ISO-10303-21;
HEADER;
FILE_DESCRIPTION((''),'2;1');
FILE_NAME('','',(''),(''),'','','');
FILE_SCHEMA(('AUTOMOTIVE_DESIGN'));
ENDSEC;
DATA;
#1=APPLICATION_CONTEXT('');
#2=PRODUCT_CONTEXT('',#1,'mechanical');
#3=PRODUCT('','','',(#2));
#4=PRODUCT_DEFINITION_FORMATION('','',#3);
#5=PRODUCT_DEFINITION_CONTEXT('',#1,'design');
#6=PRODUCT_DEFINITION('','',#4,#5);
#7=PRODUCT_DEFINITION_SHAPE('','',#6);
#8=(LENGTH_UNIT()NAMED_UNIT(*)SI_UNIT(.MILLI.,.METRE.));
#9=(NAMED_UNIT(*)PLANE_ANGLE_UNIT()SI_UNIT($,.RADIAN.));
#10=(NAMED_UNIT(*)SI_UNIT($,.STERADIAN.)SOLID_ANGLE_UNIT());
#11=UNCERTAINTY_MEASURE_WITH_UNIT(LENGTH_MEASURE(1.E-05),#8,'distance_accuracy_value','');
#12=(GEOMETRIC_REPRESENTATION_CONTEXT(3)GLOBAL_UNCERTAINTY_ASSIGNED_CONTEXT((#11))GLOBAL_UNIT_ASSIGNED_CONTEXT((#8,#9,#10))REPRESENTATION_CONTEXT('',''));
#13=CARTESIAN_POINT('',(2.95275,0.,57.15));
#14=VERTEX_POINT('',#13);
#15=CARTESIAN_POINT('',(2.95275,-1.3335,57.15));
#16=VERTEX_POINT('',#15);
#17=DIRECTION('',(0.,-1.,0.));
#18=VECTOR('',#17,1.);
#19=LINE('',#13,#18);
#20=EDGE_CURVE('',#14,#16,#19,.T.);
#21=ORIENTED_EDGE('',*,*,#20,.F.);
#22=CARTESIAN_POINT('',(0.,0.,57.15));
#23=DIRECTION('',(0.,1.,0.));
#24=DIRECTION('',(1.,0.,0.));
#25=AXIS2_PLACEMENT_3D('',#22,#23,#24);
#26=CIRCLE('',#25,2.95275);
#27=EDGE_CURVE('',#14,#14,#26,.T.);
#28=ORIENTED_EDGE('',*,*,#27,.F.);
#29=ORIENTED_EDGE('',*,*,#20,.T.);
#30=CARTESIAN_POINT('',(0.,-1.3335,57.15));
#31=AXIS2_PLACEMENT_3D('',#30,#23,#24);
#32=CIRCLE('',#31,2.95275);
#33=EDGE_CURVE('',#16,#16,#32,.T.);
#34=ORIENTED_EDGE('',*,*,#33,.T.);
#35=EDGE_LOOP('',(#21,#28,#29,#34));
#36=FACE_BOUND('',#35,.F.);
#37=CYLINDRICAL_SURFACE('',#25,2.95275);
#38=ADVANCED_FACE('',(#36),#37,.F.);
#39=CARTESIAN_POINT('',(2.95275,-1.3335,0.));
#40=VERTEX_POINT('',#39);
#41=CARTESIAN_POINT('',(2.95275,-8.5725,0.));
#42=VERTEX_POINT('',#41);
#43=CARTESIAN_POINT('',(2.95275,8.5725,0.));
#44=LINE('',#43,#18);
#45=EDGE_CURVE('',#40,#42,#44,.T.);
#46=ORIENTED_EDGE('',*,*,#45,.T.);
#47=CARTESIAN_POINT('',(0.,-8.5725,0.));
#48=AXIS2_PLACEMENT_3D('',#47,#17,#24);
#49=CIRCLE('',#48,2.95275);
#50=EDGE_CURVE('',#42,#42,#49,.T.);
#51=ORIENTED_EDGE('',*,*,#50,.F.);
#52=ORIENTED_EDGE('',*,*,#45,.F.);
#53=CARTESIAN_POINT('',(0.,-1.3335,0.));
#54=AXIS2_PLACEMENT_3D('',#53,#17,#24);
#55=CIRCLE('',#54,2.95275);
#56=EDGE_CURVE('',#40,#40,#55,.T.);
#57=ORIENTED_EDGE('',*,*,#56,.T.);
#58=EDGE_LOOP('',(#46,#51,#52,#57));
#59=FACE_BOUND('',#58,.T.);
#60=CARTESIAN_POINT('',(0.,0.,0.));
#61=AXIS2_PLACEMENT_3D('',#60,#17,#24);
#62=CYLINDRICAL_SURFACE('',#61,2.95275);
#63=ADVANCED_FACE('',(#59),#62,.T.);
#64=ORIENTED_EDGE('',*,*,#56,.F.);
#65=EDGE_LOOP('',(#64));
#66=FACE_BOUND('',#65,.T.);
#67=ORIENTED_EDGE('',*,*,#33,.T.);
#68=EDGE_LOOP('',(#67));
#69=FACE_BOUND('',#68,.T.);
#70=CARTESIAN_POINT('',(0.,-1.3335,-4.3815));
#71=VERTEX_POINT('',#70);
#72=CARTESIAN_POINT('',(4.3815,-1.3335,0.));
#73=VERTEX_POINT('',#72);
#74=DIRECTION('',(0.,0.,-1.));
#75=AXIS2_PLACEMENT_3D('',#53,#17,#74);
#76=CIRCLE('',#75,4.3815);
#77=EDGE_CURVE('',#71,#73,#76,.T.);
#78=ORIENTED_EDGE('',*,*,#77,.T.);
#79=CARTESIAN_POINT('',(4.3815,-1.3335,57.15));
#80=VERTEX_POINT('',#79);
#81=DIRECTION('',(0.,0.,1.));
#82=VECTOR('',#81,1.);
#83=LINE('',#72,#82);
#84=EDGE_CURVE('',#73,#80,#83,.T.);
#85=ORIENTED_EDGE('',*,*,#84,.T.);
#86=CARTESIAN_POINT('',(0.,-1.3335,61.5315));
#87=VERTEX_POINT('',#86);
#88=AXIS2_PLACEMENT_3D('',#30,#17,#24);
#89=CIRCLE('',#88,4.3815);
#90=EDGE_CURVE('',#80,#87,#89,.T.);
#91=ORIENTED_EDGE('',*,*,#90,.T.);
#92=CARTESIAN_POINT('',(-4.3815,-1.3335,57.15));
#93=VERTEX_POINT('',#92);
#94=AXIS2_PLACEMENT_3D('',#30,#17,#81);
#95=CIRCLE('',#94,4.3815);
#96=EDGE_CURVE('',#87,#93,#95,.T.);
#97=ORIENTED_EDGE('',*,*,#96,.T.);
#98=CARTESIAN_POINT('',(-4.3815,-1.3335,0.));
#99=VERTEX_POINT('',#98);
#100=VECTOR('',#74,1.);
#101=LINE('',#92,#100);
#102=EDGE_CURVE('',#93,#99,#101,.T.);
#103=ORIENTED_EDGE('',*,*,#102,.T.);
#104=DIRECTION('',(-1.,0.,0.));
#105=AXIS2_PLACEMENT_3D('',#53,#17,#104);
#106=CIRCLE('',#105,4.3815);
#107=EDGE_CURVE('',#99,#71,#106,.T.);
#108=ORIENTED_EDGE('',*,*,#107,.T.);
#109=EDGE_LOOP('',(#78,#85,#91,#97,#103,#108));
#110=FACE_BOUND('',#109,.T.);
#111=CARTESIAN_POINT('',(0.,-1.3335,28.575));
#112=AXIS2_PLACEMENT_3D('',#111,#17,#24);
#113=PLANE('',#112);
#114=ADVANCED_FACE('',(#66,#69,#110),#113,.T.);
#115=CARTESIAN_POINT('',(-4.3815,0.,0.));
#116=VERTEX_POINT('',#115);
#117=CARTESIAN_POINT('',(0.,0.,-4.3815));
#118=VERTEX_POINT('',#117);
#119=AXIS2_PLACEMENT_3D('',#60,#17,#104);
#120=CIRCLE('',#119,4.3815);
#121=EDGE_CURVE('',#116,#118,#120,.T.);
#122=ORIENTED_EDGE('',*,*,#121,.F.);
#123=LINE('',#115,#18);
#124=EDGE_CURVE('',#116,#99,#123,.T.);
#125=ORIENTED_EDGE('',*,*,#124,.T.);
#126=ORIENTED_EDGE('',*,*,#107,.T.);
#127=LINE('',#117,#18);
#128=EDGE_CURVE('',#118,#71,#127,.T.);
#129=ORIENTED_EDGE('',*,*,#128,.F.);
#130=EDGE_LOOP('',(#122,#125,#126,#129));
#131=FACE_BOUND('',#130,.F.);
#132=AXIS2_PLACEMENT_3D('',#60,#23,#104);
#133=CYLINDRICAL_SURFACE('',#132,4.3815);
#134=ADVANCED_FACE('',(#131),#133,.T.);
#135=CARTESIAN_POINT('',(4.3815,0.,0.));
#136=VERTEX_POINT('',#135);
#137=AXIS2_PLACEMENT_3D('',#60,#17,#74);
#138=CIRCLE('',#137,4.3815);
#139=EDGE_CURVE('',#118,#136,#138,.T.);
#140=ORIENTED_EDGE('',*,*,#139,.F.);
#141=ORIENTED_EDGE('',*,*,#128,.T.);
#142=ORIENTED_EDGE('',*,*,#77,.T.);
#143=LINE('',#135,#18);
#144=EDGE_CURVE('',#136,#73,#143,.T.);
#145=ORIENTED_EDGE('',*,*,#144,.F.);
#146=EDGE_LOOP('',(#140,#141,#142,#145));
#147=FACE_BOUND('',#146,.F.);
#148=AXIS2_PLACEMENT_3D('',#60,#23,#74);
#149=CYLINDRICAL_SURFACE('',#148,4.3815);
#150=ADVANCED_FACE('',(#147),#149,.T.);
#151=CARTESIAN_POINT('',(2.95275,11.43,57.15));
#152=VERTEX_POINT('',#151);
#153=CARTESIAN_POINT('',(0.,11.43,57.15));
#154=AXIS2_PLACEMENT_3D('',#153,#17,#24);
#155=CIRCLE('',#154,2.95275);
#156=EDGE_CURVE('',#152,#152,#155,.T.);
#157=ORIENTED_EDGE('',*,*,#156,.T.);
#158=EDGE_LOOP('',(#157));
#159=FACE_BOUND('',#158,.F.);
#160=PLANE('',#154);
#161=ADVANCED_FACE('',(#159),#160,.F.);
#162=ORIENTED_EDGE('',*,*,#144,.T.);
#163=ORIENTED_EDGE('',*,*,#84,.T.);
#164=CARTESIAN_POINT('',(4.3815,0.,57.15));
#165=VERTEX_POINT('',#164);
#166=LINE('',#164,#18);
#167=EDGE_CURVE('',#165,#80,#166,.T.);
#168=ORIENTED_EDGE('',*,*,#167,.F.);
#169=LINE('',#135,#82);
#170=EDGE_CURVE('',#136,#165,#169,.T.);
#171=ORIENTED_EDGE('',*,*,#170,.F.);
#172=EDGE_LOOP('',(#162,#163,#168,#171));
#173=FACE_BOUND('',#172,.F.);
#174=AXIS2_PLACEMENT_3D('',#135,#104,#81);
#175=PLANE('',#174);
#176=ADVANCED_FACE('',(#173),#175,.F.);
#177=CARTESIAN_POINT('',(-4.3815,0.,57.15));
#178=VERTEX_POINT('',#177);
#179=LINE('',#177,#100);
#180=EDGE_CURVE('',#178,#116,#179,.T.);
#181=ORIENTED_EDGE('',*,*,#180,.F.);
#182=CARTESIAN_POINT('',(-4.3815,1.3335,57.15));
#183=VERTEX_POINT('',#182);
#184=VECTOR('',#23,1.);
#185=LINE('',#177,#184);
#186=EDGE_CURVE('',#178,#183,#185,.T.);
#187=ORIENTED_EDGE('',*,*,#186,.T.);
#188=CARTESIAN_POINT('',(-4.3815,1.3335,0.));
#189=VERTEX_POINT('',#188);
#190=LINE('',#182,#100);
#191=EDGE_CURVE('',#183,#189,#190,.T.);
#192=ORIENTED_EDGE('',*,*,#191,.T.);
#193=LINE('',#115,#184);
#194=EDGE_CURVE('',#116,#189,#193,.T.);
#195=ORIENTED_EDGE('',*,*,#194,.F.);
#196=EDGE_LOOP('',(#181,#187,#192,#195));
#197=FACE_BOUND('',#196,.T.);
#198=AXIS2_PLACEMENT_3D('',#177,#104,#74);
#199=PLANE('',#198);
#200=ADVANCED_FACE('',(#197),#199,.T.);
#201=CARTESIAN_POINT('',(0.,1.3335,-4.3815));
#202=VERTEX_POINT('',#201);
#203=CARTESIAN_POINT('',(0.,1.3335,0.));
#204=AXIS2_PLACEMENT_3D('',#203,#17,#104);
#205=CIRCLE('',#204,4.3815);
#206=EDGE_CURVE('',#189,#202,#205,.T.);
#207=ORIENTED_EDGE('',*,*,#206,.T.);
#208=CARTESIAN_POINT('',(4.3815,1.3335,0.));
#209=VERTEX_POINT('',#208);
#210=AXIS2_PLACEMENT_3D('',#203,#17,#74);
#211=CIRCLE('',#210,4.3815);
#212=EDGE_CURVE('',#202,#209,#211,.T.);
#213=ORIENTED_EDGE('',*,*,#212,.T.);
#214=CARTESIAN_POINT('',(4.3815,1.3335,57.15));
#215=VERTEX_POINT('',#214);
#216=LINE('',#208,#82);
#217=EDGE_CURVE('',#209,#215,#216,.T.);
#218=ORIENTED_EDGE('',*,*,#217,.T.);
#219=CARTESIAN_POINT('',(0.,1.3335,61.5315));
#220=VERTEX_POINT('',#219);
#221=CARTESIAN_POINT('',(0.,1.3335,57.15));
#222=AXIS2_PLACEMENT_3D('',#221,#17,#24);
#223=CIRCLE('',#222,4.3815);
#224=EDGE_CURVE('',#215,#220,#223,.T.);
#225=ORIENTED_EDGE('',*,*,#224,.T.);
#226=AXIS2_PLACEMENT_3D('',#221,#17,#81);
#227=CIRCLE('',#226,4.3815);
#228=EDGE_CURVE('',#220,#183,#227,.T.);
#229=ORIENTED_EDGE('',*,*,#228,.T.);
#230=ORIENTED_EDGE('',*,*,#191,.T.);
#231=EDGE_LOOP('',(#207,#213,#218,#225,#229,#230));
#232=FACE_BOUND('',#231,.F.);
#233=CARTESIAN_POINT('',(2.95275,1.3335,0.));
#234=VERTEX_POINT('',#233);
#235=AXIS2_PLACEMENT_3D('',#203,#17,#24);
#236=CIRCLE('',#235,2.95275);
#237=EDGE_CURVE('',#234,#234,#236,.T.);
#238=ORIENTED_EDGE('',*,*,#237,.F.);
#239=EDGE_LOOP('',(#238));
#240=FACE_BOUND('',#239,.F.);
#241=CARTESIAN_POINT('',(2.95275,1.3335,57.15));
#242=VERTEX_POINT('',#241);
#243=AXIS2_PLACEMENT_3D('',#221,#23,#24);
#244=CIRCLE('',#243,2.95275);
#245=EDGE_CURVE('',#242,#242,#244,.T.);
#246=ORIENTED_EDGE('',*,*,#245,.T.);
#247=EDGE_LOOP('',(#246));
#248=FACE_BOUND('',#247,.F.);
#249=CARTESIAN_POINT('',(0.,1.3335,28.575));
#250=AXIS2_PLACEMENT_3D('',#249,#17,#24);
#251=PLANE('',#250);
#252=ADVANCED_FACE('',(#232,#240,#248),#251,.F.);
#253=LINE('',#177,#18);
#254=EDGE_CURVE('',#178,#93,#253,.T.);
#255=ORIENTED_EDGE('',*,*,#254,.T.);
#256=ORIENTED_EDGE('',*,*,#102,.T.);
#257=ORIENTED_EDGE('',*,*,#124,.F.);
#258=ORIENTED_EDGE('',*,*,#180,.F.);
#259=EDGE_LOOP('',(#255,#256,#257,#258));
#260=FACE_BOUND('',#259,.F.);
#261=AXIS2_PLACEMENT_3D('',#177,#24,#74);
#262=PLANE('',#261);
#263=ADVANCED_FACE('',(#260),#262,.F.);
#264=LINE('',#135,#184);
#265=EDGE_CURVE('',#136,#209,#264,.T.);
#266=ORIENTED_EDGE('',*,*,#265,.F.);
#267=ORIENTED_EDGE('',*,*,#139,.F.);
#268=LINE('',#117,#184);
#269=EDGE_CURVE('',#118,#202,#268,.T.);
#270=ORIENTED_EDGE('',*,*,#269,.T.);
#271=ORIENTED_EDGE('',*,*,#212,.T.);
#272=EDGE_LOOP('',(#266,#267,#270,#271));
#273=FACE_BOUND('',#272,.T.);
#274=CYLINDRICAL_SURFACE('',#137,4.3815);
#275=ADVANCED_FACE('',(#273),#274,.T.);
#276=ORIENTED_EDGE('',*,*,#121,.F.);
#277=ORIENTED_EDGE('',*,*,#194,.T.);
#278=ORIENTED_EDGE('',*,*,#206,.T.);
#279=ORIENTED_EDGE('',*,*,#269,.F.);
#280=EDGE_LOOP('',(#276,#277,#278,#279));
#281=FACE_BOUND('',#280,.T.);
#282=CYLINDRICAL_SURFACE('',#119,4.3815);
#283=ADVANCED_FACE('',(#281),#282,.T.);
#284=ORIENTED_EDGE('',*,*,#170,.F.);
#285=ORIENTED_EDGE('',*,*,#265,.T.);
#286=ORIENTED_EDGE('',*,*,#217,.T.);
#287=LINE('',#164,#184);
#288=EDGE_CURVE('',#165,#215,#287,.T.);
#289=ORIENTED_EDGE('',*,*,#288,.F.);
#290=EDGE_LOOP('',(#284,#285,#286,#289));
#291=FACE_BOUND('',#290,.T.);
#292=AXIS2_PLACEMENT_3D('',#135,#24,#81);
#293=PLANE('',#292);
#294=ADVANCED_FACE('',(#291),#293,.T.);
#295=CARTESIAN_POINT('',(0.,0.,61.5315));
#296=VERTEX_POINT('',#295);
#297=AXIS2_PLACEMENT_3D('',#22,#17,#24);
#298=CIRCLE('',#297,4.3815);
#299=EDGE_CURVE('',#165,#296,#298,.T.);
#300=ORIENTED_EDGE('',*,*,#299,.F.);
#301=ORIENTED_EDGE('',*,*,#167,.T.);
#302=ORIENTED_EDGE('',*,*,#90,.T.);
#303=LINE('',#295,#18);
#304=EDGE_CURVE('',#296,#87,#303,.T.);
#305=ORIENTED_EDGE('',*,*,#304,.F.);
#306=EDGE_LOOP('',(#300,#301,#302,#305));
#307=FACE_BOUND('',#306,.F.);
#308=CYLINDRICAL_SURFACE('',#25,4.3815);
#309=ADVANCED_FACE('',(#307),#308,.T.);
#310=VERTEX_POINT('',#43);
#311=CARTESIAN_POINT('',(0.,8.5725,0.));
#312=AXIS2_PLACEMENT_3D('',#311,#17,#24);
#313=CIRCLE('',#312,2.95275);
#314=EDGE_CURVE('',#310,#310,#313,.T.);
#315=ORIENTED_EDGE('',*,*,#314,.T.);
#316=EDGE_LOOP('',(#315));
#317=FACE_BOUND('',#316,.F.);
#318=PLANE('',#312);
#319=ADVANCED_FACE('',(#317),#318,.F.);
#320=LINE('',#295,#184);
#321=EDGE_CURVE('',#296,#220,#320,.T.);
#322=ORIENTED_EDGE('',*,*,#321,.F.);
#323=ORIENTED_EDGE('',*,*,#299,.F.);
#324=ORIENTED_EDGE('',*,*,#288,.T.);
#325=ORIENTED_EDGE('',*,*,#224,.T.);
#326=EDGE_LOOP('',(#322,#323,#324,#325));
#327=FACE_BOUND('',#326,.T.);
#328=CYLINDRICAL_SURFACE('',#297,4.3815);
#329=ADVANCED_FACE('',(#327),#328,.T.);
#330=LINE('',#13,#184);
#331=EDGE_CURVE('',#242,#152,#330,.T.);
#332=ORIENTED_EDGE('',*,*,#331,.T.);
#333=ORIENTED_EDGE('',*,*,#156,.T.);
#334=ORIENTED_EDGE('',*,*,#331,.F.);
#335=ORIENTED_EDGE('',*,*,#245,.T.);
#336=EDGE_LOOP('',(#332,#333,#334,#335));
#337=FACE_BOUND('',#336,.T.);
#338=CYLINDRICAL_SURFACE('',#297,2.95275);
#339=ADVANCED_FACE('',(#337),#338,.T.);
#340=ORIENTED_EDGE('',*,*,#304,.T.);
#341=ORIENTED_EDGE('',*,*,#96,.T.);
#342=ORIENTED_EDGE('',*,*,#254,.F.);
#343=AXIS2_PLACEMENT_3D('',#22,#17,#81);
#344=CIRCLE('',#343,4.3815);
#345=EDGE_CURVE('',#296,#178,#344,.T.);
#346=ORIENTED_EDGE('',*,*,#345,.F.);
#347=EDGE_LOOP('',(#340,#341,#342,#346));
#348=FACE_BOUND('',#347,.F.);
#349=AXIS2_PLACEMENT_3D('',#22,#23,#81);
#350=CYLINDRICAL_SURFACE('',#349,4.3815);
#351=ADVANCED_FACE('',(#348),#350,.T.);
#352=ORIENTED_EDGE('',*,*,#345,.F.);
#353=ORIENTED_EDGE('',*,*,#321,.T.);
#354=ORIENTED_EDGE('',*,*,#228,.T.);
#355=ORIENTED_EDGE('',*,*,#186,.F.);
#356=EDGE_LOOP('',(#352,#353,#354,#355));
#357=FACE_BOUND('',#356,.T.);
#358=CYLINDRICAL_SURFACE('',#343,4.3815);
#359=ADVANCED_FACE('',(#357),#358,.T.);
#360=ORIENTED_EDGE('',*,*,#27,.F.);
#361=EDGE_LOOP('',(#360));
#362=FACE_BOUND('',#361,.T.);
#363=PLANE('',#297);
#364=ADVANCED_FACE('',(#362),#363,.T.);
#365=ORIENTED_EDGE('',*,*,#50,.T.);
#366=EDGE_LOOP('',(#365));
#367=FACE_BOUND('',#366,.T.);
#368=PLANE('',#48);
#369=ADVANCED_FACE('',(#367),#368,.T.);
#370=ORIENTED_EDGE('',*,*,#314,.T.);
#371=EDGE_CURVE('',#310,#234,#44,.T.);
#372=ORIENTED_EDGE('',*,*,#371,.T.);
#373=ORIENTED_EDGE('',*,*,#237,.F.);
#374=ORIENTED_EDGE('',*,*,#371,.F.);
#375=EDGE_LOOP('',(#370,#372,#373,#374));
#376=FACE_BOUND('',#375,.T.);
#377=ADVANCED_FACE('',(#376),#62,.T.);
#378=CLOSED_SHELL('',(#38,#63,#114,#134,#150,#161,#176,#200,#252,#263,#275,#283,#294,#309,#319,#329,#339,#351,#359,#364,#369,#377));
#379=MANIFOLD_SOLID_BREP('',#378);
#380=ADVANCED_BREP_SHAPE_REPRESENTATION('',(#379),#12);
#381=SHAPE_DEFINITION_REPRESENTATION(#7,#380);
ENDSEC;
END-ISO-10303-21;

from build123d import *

# Parameters (mm, degrees)
F0_R     = 0.3937
F1_DEPTH = 0.1778
F2_DEPTH = 1.143
F3_DEPTH = 1.524
F4_SCALE = 7.5


with BuildPart() as f1:
    # F0 (on Front) → F1 (new body, symmetric)
    with BuildSketch(Plane.XZ):
        with BuildLine():
            ThreePointArc((0, 8.2042), (-0.4130917816, 8.0330917816), (-0.5842, 7.62))
            Line((-0.5842, 7.62), (-0.5842, 0))
            ThreePointArc((-0.5842, 0), (-0.4130917816, -0.4130917816), (0, -0.5842))
            ThreePointArc((0, -0.5842), (0.4130917816, -0.4130917816), (0.5842, 0))
            Line((0.5842, 0), (0.5842, 7.62))
            ThreePointArc((0.5842, 7.62), (0.4130917816, 8.0330917816), (0, 8.2042))
        make_face()
        Circle(F0_R, mode=Mode.SUBTRACT)
        with BuildLine():
            ThreePointArc((-0.3937, 7.62), (0, 8.0137), (0.3937, 7.62))
            ThreePointArc((0.3937, 7.62), (0, 7.2263), (-0.3937, 7.62))
        make_face(mode=Mode.SUBTRACT)
    extrude(amount=F1_DEPTH, both=True)

    # F0 (on Front) → F2 (join, symmetric)
    with BuildSketch(Plane.XZ):
        Circle(F0_R)
    extrude(amount=F2_DEPTH, both=True)

    # F0 (on Front) → F3 (join)
    with BuildSketch(Plane.XZ):
        with BuildLine():
            ThreePointArc((-0.3937, 7.62), (0, 7.2263), (0.3937, 7.62))
            ThreePointArc((0.3937, 7.62), (0, 8.0137), (-0.3937, 7.62))
        make_face()
    extrude(amount=-F3_DEPTH)


with BuildPart() as f1_1:
    # F4: moved
    add(f1.part.scale(F4_SCALE))


solid = f1_1.part
